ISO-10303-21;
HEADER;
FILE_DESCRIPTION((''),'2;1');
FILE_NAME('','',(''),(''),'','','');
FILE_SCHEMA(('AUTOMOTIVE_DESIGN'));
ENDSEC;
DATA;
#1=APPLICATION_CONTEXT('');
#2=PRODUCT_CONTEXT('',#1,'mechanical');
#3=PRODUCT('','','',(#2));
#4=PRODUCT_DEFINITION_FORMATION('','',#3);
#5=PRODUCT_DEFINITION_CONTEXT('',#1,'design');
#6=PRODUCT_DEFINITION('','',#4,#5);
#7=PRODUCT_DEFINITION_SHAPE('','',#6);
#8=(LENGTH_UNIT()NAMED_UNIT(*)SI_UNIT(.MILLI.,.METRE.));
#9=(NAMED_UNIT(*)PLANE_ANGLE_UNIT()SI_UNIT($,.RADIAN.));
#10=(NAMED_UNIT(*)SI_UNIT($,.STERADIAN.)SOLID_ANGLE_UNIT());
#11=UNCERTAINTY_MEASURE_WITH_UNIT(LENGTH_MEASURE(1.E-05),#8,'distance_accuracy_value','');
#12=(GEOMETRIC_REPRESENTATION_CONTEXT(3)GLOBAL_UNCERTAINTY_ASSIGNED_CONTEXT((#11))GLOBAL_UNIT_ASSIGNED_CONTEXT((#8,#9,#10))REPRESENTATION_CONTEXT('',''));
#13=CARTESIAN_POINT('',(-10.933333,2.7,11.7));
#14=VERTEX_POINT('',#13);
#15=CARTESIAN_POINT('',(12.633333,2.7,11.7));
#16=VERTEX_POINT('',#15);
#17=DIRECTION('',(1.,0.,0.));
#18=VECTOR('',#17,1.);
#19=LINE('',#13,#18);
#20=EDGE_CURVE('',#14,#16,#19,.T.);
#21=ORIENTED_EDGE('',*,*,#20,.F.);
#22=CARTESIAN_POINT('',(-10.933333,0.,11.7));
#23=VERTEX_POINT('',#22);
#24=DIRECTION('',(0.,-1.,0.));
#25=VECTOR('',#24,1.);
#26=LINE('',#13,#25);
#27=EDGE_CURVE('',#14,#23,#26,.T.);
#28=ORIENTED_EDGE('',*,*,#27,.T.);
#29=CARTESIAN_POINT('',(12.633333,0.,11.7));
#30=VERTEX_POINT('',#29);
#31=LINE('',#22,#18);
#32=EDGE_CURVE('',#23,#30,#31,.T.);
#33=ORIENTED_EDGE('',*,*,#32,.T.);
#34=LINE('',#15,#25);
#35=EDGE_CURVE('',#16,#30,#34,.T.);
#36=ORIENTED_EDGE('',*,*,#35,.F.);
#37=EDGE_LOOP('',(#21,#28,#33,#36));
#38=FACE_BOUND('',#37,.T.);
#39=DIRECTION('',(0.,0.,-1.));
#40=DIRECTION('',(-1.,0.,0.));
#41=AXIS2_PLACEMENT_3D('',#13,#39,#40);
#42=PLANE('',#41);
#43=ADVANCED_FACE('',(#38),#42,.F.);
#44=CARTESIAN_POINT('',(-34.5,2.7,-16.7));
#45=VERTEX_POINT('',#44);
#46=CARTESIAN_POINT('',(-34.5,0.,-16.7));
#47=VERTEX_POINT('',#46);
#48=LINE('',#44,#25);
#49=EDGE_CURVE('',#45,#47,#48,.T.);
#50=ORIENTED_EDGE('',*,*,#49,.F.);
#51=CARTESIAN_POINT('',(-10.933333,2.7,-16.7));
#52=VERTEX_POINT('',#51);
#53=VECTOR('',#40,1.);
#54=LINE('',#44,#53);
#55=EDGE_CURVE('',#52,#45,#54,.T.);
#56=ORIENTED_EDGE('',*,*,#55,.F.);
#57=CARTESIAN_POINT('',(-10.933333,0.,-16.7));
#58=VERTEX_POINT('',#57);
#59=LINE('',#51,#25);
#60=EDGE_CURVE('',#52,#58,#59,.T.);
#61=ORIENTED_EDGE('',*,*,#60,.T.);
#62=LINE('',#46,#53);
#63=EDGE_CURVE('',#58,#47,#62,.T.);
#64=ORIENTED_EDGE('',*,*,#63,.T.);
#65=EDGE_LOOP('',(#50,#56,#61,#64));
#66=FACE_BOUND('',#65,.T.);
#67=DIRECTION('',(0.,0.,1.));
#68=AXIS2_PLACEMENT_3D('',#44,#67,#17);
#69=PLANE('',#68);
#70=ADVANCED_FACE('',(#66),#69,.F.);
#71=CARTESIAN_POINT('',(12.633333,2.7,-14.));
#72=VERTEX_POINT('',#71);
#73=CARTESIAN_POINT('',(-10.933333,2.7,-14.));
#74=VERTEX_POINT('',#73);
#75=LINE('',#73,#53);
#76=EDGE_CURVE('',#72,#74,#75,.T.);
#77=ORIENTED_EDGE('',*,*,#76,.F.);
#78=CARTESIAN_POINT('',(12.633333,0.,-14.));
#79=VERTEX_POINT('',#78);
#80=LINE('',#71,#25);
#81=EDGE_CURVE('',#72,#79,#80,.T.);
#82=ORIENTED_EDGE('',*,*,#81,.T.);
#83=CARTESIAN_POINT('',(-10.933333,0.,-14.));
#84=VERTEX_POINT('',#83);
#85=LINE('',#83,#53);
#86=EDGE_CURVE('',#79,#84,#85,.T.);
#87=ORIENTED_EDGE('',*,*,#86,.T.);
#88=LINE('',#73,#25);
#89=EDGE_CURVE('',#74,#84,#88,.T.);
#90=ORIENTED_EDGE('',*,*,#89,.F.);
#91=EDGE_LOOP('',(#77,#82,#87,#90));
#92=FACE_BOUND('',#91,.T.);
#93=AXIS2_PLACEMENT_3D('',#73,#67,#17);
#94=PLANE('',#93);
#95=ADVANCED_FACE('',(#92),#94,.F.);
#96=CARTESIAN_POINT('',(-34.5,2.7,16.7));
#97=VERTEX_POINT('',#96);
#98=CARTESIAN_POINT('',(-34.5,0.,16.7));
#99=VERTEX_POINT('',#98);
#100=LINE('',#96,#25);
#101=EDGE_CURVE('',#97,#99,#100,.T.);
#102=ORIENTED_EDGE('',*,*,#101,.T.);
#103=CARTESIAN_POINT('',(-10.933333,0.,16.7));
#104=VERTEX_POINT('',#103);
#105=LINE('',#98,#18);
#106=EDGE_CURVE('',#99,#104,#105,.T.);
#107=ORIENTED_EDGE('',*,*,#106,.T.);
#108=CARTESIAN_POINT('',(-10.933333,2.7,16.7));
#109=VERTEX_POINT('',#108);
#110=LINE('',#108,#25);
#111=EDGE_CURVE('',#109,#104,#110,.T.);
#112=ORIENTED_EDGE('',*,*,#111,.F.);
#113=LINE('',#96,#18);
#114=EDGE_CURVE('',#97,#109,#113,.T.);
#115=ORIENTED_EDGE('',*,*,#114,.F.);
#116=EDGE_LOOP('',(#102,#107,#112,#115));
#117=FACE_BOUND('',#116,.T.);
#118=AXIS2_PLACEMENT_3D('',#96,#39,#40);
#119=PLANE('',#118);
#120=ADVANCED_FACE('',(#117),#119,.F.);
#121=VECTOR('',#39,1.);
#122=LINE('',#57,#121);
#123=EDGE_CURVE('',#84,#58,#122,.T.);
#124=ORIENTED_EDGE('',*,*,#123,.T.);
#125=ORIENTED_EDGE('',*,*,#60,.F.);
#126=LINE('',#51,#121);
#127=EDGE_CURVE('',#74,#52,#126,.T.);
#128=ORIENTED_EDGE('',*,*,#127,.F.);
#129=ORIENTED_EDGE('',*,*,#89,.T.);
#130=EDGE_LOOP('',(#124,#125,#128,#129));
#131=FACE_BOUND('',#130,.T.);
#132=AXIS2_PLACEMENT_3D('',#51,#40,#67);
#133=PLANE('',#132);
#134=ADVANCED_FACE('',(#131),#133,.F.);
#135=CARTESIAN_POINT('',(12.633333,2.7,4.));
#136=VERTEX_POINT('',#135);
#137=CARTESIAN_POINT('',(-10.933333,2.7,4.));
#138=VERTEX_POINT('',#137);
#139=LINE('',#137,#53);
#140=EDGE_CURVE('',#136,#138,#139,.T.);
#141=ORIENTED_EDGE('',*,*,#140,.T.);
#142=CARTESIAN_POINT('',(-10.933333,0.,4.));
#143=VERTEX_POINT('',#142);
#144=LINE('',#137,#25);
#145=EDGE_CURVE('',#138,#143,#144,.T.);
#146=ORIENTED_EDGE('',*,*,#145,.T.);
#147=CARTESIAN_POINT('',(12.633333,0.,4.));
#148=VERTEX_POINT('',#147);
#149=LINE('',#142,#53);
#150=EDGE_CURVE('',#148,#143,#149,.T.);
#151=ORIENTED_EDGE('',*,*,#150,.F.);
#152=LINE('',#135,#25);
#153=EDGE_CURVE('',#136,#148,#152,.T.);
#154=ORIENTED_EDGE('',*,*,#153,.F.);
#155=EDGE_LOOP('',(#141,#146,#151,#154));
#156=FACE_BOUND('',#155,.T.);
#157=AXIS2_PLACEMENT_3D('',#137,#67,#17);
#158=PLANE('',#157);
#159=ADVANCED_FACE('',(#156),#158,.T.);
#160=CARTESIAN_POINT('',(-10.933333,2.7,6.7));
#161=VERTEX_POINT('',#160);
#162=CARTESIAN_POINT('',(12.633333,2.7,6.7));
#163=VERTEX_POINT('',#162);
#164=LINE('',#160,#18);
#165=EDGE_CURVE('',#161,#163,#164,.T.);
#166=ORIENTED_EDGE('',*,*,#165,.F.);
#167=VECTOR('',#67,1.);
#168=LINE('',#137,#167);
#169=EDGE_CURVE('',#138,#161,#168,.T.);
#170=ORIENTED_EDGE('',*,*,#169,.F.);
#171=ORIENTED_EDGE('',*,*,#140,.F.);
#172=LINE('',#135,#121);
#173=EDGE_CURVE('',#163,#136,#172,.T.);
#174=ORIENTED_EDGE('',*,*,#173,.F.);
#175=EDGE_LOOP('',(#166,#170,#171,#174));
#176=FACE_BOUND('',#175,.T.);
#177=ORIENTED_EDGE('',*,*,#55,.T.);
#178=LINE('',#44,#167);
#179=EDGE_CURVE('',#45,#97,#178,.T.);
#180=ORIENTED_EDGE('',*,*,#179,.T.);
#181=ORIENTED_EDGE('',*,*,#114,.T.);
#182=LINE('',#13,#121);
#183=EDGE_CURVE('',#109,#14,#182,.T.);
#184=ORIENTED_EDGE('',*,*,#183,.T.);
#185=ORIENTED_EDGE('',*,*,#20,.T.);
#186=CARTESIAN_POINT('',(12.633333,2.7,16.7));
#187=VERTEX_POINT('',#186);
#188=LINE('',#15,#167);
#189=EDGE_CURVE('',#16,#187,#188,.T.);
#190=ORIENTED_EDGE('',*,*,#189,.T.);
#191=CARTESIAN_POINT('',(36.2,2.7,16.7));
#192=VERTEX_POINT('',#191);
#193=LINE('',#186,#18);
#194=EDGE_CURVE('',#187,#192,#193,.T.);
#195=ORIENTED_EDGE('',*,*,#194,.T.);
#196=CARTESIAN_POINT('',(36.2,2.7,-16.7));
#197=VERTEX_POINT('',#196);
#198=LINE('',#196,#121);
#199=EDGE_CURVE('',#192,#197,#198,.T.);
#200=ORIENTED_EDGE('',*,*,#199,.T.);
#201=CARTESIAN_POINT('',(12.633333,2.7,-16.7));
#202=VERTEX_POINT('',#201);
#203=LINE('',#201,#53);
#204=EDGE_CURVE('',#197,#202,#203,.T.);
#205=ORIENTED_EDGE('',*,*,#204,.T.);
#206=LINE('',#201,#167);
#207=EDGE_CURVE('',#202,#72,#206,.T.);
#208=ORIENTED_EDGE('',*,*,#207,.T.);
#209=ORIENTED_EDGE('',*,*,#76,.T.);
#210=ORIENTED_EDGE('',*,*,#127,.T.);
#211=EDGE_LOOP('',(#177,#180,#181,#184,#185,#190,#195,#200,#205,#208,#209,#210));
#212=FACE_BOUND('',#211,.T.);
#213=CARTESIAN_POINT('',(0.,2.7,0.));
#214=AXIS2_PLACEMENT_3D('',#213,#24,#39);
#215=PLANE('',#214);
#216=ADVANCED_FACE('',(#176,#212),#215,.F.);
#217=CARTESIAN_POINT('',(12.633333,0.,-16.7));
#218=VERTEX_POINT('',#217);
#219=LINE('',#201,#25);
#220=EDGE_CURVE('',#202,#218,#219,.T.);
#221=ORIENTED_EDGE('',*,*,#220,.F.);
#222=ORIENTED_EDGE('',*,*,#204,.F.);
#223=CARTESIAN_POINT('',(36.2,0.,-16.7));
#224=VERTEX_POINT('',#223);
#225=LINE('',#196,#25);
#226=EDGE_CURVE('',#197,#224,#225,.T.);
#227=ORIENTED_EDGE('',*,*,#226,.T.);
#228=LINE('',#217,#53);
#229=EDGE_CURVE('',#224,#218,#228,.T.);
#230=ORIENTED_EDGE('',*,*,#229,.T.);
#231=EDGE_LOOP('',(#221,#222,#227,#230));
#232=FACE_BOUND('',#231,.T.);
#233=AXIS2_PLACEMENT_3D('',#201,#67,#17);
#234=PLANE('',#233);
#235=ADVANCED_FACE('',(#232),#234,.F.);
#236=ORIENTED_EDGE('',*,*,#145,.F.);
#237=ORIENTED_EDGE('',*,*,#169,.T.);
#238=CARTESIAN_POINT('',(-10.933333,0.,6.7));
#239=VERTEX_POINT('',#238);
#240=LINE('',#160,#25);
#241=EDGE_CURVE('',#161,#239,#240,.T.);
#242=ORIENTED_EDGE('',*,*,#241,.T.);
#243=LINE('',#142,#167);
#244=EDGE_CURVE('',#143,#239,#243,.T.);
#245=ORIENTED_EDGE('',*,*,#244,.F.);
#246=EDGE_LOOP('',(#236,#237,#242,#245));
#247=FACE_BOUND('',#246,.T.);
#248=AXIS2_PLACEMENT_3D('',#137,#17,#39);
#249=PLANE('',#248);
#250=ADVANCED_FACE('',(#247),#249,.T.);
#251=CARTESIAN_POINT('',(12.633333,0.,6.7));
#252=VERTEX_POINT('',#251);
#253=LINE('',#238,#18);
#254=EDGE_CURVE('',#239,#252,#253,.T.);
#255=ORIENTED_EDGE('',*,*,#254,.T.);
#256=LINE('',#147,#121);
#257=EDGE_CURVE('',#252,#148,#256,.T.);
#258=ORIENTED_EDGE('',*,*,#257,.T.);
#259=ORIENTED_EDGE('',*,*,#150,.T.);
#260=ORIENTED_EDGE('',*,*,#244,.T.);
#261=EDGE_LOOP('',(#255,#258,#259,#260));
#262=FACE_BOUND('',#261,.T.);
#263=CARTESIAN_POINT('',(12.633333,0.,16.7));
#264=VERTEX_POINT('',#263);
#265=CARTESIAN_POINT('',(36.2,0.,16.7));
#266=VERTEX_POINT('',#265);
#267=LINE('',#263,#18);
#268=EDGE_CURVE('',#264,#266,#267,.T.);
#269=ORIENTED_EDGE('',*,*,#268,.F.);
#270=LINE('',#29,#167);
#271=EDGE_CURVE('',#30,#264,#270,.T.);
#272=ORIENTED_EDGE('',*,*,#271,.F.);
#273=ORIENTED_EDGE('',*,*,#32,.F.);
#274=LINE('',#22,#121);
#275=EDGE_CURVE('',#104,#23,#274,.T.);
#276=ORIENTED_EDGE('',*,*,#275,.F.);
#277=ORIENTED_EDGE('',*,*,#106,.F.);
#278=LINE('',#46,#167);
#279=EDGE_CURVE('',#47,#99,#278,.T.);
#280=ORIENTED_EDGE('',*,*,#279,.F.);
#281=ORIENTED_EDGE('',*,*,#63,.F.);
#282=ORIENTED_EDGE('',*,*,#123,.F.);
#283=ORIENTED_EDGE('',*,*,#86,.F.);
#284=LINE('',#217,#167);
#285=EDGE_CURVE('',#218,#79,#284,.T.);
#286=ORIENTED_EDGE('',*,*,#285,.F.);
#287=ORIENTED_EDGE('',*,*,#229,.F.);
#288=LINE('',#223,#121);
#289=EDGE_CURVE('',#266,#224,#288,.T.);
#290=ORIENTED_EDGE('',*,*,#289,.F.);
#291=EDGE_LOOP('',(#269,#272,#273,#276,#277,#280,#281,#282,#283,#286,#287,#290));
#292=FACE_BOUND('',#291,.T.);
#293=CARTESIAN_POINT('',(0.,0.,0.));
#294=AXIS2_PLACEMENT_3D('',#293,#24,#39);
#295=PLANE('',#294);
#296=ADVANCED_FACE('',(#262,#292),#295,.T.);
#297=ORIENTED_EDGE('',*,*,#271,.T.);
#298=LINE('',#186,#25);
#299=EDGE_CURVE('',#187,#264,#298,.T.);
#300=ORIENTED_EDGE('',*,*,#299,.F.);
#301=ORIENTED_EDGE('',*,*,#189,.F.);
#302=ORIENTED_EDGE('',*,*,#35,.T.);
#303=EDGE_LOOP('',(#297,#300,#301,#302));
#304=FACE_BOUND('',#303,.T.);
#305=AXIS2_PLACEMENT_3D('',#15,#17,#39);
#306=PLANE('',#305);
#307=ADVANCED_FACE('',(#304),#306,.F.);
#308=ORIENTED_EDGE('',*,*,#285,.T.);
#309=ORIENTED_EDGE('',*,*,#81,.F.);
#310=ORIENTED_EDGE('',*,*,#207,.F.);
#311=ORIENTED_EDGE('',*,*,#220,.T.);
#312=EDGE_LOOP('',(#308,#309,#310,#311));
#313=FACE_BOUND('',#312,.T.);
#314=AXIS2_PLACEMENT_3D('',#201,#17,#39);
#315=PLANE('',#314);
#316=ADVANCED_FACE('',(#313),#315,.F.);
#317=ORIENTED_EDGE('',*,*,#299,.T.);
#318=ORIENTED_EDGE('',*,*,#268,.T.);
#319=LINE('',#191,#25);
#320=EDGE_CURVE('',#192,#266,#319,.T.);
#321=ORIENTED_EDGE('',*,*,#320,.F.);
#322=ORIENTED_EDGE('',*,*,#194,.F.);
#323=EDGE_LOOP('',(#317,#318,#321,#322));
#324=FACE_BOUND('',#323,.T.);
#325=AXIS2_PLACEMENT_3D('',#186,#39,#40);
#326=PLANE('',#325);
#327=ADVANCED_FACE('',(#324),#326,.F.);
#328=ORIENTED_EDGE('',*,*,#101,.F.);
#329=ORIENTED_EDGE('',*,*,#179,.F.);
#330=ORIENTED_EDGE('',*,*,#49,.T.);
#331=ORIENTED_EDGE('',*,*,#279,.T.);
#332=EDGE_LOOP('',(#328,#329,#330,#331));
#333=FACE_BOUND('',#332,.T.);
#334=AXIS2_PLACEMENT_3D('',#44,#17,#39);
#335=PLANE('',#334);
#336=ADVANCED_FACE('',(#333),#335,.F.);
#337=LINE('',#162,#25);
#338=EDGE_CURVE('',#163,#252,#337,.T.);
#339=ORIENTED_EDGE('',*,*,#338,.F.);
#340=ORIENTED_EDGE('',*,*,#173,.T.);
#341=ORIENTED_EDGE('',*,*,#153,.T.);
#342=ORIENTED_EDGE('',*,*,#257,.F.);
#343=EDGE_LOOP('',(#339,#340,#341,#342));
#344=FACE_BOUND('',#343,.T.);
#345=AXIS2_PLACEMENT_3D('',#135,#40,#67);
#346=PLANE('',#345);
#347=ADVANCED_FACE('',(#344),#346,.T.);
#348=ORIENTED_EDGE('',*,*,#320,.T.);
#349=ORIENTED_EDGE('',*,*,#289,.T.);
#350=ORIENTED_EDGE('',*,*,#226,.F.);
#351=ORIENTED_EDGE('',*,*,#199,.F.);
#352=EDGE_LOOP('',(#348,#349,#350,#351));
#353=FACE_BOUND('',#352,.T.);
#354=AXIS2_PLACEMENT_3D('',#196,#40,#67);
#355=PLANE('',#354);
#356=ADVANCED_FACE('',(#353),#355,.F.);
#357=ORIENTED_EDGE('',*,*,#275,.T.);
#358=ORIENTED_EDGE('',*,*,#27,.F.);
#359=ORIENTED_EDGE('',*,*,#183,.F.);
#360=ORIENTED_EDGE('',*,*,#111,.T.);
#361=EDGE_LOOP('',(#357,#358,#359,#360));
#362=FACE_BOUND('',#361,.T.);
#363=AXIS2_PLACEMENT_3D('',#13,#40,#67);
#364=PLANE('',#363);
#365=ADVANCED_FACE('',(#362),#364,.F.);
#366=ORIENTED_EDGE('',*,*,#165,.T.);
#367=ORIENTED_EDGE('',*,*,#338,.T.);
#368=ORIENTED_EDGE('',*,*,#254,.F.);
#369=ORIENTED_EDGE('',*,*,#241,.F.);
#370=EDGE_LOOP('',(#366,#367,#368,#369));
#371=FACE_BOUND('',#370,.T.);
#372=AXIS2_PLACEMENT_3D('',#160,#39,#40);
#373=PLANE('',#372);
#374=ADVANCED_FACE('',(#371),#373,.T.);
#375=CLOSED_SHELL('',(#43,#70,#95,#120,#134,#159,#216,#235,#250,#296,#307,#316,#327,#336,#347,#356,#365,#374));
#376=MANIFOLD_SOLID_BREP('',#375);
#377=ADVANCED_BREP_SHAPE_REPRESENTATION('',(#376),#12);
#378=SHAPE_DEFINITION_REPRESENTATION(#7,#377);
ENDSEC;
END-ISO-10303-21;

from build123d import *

# Parameters (mm, degrees)
SKETCH1_W           = 23.566666666
SKETCH1_H           = 2.7
BOSS_EXTRUDE1_DEPTH = 2.7


with BuildPart() as part:
    # Sketch1 → Boss-Extrude1 (new body)
    with BuildSketch(Plane(origin=(0, 0, 0), x_dir=(1, 0, 0), z_dir=(0, 1, 0))):
        Polygon((-34.5, -16.7), (-10.933333333, -16.7), (-10.933333333, -11.7), (12.633333333, -11.7), (12.633333333, -16.7), (36.2, -16.7), (36.2, 16.7), (12.633333333, 16.7), (12.633333333, 14), (-10.933333333, 14), (-10.933333333, 16.7), (-34.5, 16.7), align=None)
        with Locations((0.85, -5.35)):
            Rectangle(SKETCH1_W, SKETCH1_H, mode=Mode.SUBTRACT)
    extrude(amount=BOSS_EXTRUDE1_DEPTH)


solid = part.part
